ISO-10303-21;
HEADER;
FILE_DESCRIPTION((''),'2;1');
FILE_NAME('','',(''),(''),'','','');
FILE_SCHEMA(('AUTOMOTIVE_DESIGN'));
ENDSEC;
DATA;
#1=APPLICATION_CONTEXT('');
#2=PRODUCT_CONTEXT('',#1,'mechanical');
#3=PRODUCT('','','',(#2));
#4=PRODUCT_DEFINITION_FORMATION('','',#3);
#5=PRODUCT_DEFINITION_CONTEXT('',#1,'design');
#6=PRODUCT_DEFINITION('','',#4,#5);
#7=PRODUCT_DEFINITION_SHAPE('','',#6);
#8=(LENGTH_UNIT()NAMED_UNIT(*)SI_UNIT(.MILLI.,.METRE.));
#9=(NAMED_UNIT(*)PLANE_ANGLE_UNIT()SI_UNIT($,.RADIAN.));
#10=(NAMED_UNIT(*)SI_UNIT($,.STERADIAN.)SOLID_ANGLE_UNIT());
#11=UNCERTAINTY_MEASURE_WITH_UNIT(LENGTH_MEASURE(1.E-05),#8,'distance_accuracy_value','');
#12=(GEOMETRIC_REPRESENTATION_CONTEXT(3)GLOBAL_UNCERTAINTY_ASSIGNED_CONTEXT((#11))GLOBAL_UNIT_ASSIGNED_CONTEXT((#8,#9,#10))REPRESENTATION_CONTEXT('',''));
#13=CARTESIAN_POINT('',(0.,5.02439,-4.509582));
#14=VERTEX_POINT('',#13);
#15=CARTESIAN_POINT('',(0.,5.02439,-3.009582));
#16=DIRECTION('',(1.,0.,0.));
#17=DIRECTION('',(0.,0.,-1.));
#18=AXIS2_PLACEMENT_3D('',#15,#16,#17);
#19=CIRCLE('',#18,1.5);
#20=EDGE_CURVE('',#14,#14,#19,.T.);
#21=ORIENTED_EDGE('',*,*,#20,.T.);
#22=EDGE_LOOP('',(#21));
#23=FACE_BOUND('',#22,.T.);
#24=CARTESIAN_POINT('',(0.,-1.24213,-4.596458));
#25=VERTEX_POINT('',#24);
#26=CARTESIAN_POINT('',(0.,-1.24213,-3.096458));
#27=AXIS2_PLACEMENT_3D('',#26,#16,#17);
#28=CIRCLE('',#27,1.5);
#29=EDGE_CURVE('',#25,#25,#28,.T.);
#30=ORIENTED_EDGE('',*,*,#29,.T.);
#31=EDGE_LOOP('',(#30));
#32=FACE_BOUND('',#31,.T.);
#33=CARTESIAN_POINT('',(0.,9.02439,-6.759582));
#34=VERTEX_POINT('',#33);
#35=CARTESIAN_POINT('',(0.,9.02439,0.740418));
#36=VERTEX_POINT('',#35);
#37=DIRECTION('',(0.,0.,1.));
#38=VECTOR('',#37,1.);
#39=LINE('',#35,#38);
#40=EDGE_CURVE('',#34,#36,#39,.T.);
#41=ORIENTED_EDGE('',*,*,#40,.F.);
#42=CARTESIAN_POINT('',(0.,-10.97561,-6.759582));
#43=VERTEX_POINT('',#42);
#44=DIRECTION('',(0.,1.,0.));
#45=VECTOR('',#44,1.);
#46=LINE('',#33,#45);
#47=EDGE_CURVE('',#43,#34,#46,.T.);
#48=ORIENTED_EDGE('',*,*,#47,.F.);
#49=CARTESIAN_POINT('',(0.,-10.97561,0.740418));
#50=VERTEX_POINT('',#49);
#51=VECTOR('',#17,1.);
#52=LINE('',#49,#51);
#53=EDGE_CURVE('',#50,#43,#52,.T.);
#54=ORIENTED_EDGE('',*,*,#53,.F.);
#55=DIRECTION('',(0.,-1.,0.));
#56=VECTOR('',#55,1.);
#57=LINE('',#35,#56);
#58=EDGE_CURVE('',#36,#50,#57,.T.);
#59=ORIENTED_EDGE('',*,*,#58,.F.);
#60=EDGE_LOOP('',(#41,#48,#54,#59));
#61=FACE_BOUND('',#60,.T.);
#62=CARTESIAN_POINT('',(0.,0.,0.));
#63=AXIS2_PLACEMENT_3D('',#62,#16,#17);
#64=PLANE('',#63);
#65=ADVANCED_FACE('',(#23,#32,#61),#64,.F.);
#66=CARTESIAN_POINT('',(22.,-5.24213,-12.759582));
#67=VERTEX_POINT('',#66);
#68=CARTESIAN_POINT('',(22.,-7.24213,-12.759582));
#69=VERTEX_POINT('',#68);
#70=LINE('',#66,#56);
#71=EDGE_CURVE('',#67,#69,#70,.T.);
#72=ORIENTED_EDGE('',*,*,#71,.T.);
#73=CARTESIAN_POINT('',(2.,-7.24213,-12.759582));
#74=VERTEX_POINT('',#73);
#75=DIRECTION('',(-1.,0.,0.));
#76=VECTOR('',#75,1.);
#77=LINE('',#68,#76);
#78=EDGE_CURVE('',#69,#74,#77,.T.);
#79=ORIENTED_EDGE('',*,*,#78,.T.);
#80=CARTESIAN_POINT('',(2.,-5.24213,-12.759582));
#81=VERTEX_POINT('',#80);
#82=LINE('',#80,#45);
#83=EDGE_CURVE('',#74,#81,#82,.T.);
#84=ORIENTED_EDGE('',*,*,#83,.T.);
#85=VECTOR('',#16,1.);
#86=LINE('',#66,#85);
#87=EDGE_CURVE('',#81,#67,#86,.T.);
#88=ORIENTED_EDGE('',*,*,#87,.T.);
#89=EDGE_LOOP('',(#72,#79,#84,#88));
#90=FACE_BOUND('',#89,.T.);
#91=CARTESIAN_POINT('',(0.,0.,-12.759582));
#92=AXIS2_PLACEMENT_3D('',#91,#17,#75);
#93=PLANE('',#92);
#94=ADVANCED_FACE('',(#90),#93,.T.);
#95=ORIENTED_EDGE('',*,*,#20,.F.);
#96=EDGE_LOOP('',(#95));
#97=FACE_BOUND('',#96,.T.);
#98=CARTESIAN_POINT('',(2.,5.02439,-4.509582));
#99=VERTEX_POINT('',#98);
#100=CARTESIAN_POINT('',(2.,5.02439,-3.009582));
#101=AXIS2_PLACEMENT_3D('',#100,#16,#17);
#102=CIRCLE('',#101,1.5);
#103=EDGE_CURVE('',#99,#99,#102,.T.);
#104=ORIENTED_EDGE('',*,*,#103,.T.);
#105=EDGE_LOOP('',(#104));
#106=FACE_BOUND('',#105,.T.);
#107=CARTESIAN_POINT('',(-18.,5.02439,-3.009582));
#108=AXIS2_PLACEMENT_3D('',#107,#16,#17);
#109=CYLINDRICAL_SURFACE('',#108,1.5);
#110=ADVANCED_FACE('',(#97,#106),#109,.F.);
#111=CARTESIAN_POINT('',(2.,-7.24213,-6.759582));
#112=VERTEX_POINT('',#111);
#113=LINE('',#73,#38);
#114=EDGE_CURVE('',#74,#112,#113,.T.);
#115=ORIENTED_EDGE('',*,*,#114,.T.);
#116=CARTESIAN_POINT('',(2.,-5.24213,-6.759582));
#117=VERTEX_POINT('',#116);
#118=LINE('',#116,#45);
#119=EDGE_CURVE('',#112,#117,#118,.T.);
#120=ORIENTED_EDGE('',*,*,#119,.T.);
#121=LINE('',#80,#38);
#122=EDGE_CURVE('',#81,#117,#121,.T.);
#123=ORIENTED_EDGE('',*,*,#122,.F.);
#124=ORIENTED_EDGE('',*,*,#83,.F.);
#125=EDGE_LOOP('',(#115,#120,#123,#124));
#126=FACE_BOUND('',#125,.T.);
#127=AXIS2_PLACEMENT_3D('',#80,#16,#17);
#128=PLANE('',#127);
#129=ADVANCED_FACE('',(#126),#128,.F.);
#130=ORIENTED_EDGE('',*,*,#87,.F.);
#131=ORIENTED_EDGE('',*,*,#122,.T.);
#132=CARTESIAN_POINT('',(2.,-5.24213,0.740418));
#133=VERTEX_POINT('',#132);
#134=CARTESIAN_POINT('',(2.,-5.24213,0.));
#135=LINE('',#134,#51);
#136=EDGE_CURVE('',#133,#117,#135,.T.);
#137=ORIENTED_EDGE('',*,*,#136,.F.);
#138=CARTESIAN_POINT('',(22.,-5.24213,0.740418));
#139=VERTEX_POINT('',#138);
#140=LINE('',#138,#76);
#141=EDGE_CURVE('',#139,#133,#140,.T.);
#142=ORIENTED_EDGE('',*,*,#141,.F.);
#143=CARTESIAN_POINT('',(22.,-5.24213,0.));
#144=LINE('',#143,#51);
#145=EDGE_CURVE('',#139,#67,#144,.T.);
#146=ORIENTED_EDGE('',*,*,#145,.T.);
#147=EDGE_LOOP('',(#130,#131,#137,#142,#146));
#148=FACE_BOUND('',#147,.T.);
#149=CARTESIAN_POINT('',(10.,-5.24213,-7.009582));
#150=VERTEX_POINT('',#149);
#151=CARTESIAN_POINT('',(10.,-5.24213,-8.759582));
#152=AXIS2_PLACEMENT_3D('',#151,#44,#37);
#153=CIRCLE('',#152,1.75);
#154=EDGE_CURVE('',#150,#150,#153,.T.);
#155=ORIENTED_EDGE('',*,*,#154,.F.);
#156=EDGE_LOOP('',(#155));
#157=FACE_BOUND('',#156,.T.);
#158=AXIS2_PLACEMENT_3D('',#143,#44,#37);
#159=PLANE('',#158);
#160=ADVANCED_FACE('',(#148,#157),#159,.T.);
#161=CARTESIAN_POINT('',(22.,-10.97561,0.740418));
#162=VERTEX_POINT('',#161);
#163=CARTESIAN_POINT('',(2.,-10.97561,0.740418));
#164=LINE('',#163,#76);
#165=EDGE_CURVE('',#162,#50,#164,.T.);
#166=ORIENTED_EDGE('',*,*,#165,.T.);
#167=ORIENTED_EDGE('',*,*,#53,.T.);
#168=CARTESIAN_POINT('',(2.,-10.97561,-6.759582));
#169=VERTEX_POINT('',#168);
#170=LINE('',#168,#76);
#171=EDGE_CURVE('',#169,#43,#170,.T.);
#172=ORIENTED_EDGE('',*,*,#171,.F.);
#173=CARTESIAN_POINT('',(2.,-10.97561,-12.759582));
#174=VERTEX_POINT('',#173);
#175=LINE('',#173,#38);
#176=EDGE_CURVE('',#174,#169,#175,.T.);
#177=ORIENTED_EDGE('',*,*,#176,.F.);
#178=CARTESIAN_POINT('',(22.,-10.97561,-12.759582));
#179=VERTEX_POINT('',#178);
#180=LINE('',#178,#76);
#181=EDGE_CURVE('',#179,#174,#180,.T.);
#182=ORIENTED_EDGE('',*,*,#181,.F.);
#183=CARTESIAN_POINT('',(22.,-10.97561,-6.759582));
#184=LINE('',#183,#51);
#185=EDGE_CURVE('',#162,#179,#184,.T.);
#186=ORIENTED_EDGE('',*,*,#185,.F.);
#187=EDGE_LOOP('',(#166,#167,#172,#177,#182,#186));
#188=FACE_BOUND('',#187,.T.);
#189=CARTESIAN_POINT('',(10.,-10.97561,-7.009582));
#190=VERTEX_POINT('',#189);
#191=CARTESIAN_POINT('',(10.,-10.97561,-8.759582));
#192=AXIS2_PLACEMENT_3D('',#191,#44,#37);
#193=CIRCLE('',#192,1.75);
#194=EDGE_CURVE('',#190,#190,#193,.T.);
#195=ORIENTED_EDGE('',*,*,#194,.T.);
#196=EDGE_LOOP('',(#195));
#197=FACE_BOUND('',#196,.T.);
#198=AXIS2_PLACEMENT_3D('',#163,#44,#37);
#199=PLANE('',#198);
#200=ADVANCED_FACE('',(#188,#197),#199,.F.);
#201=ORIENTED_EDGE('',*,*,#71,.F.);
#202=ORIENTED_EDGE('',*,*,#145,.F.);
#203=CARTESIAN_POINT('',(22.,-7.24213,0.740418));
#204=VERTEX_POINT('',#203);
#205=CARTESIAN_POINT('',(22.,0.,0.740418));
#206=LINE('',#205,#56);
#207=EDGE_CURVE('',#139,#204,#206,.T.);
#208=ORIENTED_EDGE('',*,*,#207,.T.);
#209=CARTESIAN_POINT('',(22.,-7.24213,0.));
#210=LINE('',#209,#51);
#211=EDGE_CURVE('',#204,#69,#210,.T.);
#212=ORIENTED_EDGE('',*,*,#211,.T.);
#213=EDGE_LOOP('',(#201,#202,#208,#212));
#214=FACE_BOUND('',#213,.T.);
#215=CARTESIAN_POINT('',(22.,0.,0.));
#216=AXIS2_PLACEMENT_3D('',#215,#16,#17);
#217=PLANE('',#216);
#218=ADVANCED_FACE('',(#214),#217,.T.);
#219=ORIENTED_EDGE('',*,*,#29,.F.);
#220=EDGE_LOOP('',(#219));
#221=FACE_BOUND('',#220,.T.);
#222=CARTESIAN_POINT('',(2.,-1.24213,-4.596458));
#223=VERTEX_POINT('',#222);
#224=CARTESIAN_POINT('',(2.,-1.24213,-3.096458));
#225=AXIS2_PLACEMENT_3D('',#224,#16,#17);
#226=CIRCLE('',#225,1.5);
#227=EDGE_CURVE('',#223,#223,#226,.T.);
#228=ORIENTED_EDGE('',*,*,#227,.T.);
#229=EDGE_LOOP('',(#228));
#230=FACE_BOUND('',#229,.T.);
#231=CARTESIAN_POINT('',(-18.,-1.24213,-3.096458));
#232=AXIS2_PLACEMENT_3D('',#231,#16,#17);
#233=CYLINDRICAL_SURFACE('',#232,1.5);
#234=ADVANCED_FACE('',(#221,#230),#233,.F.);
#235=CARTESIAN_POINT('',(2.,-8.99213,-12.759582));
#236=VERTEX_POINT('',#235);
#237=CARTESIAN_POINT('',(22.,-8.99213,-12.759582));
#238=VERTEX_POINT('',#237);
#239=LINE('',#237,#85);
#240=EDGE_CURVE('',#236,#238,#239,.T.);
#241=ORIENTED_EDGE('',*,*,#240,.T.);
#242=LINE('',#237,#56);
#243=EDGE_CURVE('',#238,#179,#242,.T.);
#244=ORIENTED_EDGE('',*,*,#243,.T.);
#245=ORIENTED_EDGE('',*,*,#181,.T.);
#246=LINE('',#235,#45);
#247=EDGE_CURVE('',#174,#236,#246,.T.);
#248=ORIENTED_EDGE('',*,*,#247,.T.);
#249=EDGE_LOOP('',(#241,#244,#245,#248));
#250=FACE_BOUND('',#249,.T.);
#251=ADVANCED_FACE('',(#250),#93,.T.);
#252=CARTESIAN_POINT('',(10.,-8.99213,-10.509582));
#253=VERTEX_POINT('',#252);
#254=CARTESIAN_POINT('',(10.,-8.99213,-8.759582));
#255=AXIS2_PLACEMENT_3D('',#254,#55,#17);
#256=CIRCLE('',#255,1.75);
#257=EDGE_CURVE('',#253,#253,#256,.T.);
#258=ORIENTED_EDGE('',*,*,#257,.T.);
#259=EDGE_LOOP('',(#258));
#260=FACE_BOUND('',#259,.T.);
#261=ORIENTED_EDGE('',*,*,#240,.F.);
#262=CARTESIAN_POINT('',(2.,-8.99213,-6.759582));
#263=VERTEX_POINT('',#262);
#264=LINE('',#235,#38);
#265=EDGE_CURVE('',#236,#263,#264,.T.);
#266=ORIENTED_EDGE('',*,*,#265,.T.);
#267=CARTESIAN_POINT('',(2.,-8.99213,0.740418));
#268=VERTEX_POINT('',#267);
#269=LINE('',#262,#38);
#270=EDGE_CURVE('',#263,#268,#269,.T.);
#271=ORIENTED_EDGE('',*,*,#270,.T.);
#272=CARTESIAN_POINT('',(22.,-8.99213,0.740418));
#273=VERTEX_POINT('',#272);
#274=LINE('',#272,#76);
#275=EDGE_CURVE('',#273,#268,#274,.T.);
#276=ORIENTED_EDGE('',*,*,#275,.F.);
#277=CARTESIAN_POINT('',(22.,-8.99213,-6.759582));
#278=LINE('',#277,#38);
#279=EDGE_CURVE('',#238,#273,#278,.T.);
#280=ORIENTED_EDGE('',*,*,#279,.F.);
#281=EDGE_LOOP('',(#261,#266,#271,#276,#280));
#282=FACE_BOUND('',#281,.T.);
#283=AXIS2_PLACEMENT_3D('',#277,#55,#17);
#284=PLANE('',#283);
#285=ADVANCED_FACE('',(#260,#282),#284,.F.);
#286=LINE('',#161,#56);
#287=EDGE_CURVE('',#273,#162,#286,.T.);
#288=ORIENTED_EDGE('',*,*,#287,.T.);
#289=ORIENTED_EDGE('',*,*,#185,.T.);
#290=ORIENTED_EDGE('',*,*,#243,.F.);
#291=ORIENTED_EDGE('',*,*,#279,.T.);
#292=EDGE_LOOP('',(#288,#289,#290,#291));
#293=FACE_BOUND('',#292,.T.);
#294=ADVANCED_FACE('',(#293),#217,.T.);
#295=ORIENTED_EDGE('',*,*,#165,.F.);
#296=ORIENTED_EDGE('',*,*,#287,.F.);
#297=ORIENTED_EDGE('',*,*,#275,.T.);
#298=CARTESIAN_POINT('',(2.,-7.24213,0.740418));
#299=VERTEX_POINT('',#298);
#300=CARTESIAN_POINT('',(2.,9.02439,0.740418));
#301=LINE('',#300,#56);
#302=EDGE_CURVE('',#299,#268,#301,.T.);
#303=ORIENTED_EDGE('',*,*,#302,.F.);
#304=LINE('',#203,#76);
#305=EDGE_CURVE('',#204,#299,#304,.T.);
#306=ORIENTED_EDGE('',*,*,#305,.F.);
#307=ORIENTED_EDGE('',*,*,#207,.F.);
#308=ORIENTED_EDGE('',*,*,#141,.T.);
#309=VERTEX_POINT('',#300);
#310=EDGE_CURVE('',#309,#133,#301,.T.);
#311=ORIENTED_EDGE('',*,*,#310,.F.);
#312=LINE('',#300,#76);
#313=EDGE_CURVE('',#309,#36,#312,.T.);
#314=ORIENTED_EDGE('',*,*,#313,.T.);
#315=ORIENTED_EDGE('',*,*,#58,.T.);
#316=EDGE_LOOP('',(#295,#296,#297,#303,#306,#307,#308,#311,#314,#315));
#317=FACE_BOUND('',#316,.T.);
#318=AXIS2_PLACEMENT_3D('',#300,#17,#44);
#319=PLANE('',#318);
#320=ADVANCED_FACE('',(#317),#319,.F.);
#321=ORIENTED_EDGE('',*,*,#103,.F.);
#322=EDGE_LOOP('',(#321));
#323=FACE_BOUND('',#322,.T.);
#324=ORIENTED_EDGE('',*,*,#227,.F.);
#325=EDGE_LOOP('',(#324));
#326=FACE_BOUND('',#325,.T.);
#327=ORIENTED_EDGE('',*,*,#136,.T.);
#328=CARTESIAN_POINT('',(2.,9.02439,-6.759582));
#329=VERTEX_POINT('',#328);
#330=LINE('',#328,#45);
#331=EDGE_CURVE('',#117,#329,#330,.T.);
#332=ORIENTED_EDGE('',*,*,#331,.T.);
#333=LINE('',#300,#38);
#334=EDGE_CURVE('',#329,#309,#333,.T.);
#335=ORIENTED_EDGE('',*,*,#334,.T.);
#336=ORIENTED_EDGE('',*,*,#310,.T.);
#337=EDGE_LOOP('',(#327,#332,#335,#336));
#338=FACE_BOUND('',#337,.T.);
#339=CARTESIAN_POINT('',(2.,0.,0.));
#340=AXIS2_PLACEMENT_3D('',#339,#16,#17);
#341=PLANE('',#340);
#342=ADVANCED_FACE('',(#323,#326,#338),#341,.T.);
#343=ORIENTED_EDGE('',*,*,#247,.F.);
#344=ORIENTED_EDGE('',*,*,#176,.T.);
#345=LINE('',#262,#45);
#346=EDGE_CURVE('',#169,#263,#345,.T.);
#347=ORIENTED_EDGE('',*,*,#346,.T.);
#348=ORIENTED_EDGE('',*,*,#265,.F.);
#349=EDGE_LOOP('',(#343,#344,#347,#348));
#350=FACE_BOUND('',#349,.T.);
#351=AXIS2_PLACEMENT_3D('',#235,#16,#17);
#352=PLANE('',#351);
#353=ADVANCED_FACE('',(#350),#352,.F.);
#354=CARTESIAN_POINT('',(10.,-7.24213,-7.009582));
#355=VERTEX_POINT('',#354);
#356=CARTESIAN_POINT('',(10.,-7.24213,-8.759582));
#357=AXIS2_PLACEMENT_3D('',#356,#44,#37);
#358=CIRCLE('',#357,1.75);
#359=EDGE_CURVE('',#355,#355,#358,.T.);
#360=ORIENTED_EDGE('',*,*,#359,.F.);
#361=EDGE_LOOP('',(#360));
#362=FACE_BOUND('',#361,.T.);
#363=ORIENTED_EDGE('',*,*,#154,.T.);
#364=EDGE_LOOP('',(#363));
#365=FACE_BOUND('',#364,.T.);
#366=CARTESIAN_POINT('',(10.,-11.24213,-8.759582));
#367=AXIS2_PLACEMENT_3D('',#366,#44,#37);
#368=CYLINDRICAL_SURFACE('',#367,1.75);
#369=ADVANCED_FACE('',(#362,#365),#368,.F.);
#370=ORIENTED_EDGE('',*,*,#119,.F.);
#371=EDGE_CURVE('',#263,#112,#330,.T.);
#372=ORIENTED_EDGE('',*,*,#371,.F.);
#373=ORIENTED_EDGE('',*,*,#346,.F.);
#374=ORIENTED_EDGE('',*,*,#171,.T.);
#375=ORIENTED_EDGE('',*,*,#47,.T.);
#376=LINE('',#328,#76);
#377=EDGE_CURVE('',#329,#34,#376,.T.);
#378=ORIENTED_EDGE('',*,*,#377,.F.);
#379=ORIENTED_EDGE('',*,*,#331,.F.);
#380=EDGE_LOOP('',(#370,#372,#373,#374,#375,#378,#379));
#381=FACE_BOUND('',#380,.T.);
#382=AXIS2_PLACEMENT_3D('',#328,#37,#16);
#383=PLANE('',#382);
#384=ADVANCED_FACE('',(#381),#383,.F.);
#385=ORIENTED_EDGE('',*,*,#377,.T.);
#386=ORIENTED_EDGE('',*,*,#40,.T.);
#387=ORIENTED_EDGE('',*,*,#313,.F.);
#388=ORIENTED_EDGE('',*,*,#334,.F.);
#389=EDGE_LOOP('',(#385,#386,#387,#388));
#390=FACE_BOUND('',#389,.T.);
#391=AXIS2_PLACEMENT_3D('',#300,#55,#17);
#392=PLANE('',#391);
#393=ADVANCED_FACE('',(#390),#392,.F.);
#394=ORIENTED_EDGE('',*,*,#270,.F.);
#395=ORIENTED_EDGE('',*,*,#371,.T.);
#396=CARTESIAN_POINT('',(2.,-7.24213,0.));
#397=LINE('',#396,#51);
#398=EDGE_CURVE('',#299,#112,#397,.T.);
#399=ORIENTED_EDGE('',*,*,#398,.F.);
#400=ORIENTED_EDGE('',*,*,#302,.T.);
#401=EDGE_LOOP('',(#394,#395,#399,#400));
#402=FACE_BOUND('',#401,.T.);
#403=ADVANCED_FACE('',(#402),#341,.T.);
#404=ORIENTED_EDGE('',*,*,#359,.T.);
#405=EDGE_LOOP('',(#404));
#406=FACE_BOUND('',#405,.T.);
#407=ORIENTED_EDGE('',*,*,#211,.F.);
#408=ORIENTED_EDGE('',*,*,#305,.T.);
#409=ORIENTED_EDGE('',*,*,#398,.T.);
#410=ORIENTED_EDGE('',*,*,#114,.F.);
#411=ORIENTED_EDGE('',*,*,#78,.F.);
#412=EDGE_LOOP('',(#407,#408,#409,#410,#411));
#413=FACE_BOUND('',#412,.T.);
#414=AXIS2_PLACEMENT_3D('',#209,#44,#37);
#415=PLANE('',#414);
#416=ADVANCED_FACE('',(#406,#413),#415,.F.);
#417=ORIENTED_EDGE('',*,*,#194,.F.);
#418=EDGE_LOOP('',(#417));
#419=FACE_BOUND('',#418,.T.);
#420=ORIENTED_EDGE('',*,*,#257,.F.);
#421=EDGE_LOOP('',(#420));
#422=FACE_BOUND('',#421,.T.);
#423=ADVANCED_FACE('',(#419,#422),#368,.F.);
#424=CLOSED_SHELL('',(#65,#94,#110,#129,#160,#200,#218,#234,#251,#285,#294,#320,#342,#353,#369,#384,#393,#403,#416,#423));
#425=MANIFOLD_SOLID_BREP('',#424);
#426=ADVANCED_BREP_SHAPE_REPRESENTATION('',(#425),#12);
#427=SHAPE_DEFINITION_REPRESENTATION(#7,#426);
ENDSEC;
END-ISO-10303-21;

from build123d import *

# Parameters (mm, degrees)
SKETCH1_W           = 7.5
SKETCH1_H           = 20
BOSS_EXTRUDE2_DEPTH = 2
SKETCH2_W           = 7.5
SKETCH2_H           = 1.98347932
BOSS_EXTRUDE3_DEPTH = 20
SKETCH3_W           = 7.5
SKETCH3_H           = 2
BOSS_EXTRUDE4_DEPTH = 20
SKETCH5_R           = 1.5
CUT_EXTRUDE1_DEPTH  = 20
SKETCH7_W           = 20
SKETCH7_H           = 2
BOSS_EXTRUDE6_DEPTH = 6
SKETCH8_W           = 20
SKETCH8_H           = 1.98347932
BOSS_EXTRUDE7_DEPTH = 6
SKETCH9_R           = 1.75
CUT_EXTRUDE2_DEPTH  = 6


with BuildPart() as part:
    # Sketch1 → Boss-Extrude2 (new body)
    with BuildSketch(Plane(origin=(0, 0, 0), x_dir=(0, 0, -1), z_dir=(1, 0, 0))):
        with Locations((3.009581882, -0.975609756)):
            Rectangle(SKETCH1_W, SKETCH1_H)
    extrude(amount=BOSS_EXTRUDE2_DEPTH)

    # Sketch2 → Boss-Extrude3 (add)
    with BuildSketch(Plane(origin=(2, 0, 0), x_dir=(0, 0, -1), z_dir=(1, 0, 0))):
        with Locations((3.009581882, -9.983870096)):
            Rectangle(SKETCH2_W, SKETCH2_H)
    extrude(amount=BOSS_EXTRUDE3_DEPTH)

    # Sketch3 → Boss-Extrude4 (add)
    with BuildSketch(Plane(origin=(2, 0, 0), x_dir=(0, 0, -1), z_dir=(1, 0, 0))):
        with Locations((3.009581882, -6.242130436)):
            Rectangle(SKETCH3_W, SKETCH3_H)
    extrude(amount=BOSS_EXTRUDE4_DEPTH)

    # Sketch5 → Cut-Extrude1 (cut)
    with BuildSketch(Plane(origin=(2, 0, 0), x_dir=(0, 0, -1), z_dir=(1, 0, 0))):
        with Locations((3.009581882, 5.024390244)):
            Circle(SKETCH5_R)
        with Locations((3.096458319, -1.242130436)):
            Circle(SKETCH5_R)
    extrude(amount=-CUT_EXTRUDE1_DEPTH, mode=Mode.SUBTRACT)

    # Sketch7 → Boss-Extrude6 (add)
    with BuildSketch(Plane(origin=(0, 0, -6.759581882), x_dir=(-1, 0, 0), z_dir=(0, 0, -1))):
        with Locations((-12, -6.242130436)):
            Rectangle(SKETCH7_W, SKETCH7_H)
    extrude(amount=BOSS_EXTRUDE6_DEPTH)

    # Sketch8 → Boss-Extrude7 (add)
    with BuildSketch(Plane(origin=(0, 0, -6.759581882), x_dir=(-1, 0, 0), z_dir=(0, 0, -1))):
        with Locations((-12, -9.983870096)):
            Rectangle(SKETCH8_W, SKETCH8_H)
    extrude(amount=BOSS_EXTRUDE7_DEPTH)

    # Sketch9 → Cut-Extrude2 (cut)
    with BuildSketch(Plane(origin=(0, -5.242130436, 0), x_dir=(1, 0, 0), z_dir=(0, 1, 0))):
        with Locations((10, 8.759581882)):
            Circle(SKETCH9_R)
    extrude(amount=-CUT_EXTRUDE2_DEPTH, mode=Mode.SUBTRACT)


solid = part.part
